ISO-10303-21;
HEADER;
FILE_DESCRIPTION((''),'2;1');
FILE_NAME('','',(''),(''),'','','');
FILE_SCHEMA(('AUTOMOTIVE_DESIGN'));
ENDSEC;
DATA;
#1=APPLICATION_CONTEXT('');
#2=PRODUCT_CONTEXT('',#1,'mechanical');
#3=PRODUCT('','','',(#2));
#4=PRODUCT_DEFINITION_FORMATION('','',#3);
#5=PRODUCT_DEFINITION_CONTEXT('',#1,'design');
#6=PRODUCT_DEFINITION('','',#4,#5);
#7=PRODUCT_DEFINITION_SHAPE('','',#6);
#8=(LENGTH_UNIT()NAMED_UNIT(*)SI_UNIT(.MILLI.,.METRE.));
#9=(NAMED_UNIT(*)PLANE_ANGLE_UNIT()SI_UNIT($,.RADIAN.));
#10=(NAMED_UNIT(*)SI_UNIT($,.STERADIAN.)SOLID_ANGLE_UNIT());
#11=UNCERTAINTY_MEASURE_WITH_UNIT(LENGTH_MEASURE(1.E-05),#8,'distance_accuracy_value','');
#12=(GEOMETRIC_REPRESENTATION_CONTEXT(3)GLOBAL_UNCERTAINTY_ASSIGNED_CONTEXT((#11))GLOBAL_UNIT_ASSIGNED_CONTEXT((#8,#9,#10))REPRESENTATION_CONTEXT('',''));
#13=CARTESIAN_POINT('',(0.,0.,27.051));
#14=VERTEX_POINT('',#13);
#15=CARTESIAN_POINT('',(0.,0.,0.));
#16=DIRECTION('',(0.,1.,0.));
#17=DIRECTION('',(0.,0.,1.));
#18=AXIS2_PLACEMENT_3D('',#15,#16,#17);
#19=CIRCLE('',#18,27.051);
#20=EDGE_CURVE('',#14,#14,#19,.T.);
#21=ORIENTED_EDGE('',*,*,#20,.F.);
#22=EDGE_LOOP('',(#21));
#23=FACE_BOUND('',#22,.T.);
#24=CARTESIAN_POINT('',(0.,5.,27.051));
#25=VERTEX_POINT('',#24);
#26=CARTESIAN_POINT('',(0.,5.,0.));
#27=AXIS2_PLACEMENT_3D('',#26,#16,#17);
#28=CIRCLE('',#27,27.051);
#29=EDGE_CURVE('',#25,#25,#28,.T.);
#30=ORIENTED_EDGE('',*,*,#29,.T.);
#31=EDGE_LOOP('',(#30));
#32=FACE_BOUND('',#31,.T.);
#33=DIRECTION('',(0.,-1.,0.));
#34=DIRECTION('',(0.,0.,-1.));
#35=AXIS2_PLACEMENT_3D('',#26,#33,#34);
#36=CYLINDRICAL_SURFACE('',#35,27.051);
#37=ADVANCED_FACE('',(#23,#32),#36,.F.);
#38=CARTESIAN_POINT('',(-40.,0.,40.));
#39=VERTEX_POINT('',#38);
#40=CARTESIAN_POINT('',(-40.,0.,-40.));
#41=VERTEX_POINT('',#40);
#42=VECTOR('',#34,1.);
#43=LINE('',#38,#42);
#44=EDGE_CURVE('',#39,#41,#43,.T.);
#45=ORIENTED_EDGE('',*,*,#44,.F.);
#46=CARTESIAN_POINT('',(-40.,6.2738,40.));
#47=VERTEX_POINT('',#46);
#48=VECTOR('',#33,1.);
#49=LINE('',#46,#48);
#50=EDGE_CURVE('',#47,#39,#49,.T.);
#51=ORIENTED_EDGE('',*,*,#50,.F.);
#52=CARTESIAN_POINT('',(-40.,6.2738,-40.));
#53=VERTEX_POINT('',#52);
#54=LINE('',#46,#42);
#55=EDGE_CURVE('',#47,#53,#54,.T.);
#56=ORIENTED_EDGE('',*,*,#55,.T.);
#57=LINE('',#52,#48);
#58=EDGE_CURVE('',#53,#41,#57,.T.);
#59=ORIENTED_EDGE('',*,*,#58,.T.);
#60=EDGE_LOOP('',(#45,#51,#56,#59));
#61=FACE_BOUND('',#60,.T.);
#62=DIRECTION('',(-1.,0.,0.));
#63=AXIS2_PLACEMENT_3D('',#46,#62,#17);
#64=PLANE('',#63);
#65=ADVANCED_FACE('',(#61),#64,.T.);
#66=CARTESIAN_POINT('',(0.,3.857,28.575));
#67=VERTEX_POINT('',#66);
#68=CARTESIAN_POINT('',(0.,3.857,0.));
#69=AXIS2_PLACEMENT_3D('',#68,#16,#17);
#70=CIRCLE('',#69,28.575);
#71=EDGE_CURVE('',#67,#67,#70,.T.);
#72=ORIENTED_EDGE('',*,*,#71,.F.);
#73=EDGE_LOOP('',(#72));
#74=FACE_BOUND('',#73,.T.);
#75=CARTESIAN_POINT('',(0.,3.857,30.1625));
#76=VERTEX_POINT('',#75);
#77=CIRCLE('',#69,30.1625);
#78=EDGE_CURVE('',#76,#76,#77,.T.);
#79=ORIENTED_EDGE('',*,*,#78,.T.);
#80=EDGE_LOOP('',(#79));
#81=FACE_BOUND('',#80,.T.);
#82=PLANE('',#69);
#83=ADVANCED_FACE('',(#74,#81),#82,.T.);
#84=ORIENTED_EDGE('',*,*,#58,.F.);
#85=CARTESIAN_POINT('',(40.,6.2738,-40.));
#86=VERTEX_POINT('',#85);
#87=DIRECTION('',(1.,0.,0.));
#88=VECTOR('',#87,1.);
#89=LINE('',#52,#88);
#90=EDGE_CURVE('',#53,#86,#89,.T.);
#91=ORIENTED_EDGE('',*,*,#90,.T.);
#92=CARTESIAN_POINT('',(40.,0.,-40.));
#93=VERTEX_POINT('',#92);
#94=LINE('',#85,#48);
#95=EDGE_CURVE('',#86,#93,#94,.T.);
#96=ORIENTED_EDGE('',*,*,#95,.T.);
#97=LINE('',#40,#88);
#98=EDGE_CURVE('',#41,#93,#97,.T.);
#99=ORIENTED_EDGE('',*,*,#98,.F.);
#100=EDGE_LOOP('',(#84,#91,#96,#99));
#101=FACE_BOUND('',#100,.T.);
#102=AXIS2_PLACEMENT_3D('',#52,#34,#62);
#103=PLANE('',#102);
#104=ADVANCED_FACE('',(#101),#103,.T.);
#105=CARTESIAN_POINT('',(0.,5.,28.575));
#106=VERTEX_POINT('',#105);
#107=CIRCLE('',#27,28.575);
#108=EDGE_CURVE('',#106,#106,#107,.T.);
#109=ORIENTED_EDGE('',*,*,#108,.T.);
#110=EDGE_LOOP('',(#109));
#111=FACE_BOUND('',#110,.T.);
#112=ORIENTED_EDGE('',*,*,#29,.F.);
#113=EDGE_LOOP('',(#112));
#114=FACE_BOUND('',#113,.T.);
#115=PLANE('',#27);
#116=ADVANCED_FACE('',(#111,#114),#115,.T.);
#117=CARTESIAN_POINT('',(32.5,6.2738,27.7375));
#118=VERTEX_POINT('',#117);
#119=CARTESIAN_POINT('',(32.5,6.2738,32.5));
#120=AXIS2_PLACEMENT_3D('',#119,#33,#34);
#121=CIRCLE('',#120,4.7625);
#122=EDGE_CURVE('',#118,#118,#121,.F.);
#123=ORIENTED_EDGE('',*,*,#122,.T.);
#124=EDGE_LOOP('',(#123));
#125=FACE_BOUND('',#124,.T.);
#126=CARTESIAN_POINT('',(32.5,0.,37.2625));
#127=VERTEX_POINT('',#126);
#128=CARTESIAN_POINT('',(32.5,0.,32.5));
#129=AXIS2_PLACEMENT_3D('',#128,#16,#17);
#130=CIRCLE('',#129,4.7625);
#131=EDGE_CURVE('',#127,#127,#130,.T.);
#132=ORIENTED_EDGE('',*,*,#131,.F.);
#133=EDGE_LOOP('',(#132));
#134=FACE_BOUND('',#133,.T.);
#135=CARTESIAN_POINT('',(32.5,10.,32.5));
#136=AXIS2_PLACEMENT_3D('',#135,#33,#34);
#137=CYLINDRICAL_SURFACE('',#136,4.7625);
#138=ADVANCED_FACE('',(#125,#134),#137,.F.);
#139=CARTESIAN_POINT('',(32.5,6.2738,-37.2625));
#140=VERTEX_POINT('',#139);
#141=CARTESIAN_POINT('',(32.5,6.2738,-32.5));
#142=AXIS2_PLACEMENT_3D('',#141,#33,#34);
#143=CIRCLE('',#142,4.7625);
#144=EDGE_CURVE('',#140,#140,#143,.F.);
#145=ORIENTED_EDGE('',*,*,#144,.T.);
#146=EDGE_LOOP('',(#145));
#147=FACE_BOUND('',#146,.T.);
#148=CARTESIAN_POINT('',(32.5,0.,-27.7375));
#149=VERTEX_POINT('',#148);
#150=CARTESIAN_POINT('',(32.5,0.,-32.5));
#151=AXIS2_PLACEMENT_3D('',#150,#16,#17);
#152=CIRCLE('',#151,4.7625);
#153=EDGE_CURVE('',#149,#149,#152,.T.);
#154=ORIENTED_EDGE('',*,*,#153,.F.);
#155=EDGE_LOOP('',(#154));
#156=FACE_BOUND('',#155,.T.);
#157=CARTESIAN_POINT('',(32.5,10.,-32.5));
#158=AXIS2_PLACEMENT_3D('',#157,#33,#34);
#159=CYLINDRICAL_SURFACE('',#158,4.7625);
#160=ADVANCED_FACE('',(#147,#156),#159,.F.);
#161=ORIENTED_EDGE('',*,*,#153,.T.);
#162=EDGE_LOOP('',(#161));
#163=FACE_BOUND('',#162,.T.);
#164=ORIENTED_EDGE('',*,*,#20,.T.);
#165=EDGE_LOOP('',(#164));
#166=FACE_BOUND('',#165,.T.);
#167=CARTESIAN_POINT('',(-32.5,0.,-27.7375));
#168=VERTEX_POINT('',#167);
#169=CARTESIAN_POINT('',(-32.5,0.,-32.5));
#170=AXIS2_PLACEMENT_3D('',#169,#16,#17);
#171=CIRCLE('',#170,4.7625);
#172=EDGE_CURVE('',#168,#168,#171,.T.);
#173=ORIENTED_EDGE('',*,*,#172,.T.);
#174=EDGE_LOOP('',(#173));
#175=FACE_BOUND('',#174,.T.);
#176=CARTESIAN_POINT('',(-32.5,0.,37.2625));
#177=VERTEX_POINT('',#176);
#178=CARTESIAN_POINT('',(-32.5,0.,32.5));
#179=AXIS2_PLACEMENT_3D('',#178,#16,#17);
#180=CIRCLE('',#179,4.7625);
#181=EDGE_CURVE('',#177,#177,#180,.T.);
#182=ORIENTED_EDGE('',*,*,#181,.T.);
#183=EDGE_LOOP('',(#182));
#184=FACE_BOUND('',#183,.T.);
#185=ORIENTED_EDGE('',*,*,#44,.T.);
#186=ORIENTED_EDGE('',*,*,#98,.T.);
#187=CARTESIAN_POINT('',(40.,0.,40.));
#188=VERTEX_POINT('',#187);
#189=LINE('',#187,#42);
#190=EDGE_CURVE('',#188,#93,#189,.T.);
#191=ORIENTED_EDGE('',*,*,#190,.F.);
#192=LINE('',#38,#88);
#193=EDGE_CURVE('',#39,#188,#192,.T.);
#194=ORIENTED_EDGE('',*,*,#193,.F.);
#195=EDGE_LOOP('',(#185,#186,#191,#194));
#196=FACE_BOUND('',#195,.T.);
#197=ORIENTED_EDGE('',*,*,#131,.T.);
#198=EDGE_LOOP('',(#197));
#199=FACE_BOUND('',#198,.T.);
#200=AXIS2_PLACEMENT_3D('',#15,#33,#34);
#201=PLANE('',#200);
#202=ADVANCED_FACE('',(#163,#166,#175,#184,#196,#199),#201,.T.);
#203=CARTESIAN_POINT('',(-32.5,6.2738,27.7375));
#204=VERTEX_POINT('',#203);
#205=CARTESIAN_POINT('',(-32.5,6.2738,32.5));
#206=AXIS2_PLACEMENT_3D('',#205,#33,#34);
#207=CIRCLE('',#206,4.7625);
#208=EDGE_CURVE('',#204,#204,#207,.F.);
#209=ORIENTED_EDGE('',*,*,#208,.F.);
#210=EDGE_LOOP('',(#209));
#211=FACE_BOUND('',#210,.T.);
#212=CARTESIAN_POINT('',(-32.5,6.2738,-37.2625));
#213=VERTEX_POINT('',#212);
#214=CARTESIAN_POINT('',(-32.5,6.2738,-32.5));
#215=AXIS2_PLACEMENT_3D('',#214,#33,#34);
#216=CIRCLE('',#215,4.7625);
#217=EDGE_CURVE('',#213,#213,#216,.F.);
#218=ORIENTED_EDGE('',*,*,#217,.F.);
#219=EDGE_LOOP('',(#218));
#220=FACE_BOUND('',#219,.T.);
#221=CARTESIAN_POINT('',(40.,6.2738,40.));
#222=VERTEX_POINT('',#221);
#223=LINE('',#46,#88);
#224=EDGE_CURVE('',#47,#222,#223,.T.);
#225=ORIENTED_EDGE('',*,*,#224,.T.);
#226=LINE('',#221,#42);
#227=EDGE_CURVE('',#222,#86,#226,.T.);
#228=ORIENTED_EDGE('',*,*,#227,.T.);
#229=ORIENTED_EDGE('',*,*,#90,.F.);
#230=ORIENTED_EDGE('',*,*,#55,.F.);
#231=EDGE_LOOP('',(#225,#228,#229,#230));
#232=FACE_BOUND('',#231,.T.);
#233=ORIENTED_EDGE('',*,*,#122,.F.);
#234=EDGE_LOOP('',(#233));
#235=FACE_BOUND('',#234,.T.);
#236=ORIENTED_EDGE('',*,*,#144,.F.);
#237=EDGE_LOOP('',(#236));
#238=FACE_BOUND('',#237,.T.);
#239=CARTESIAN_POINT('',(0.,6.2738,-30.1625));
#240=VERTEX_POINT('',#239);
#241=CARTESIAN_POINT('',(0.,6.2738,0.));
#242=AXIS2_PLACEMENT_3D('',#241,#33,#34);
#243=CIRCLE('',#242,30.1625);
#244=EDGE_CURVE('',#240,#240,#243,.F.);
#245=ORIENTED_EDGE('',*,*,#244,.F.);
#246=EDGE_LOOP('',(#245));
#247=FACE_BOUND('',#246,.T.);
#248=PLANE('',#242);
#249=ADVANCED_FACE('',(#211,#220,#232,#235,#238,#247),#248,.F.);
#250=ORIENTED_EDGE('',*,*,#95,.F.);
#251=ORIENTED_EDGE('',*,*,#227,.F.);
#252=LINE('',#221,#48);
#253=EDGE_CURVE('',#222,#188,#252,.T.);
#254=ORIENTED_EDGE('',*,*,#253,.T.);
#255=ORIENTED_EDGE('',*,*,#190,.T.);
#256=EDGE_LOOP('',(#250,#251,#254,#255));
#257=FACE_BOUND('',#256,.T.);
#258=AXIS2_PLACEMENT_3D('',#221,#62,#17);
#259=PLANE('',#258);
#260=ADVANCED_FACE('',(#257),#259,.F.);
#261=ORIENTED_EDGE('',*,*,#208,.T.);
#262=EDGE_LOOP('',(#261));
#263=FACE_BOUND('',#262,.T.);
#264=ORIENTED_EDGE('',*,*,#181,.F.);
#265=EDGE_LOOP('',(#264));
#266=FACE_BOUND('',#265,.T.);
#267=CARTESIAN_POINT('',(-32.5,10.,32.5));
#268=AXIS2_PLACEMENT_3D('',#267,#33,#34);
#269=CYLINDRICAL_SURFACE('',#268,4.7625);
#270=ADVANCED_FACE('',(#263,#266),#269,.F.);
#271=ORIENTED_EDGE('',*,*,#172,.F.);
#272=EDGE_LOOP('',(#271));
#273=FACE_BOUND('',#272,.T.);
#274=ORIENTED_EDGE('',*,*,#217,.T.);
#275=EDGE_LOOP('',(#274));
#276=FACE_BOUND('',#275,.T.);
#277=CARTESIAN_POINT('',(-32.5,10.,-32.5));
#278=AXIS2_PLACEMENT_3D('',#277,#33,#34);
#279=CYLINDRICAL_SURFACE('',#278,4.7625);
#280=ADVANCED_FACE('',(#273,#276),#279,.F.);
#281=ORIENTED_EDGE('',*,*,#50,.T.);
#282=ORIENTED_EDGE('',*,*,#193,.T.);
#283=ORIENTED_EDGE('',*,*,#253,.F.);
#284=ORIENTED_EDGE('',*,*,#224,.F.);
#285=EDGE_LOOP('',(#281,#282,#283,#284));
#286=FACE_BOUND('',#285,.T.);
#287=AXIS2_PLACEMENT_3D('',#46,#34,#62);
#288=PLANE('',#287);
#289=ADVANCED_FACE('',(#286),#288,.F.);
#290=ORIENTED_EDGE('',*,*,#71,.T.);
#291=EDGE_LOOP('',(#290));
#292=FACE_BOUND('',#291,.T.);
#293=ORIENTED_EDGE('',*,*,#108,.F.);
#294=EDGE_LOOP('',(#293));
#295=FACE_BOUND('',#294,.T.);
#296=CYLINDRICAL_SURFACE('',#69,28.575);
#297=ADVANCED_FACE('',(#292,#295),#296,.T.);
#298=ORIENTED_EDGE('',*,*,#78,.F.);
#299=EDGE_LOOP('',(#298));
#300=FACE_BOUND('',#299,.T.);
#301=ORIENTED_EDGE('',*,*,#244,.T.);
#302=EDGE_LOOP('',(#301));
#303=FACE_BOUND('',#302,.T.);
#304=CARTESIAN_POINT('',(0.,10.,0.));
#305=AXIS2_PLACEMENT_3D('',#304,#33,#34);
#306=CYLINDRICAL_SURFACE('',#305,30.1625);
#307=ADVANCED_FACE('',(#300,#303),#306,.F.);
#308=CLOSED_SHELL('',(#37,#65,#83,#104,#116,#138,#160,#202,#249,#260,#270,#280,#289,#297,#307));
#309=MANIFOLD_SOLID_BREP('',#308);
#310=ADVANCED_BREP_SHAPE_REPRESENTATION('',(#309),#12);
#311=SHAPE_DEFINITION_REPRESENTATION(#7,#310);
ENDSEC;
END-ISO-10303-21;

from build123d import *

# Parameters (mm, degrees)
PLATEOUTLINE_W      = 80
PLATEOUTLINE_H      = 80
BOSS_EXTRUDE1_DEPTH = 6.2738
RAILGUIDES_R        = 4.7625
CUT_EXTRUDE1_DEPTH  = 10
CUT_EXTRUDE2_START  = 5
FUELGRAINMOUNTING_R = 30.1625
CUT_EXTRUDE2_DEPTH  = 5
GASINTAKE_R         = 27.051
CUT_EXTRUDE3_DEPTH  = 5
CUT_EXTRUDE4_START  = 5
SKETCH1_R           = 30.1625
SKETCH1_R_2         = 28.575
CUT_EXTRUDE4_DEPTH  = 1.143


with BuildPart() as part:
    # plateOutline → Boss-Extrude1 (new body)
    with BuildSketch(Plane(origin=(0, 0, 0), x_dir=(1, 0, 0), z_dir=(0, 1, 0))):
        Rectangle(PLATEOUTLINE_W, PLATEOUTLINE_H)
    extrude(amount=BOSS_EXTRUDE1_DEPTH)

    # railGuides → Cut-Extrude1 (cut)
    with BuildSketch(Plane(origin=(0, 0, 0), x_dir=(1, 0, 0), z_dir=(0, 1, 0))):
        with Locations((-32.5, 32.5)):
            Circle(RAILGUIDES_R)
        with Locations((32.5, 32.5)):
            Circle(RAILGUIDES_R)
        with Locations((32.5, -32.5)):
            Circle(RAILGUIDES_R)
        with Locations((-32.5, -32.5)):
            Circle(RAILGUIDES_R)
    extrude(amount=CUT_EXTRUDE1_DEPTH, mode=Mode.SUBTRACT)

    # FuelGrainMounting → Cut-Extrude2 (cut)
    with BuildSketch(Plane(origin=(0, 0, 0), x_dir=(1, 0, 0), z_dir=(0, 1, 0)).offset(CUT_EXTRUDE2_START)):
        Circle(FUELGRAINMOUNTING_R)
    extrude(amount=CUT_EXTRUDE2_DEPTH, mode=Mode.SUBTRACT)

    # GasIntake → Cut-Extrude3 (cut)
    with BuildSketch(Plane(origin=(0, 0, 0), x_dir=(1, 0, 0), z_dir=(0, 1, 0))):
        Circle(GASINTAKE_R)
    extrude(amount=CUT_EXTRUDE3_DEPTH, mode=Mode.SUBTRACT)

    # Sketch1 → Cut-Extrude4 (cut)
    with BuildSketch(Plane(origin=(0, 0, 0), x_dir=(1, 0, 0), z_dir=(0, 1, 0)).offset(CUT_EXTRUDE4_START)):
        Circle(SKETCH1_R)
        Circle(SKETCH1_R_2, mode=Mode.SUBTRACT)
    extrude(amount=-CUT_EXTRUDE4_DEPTH, mode=Mode.SUBTRACT)


solid = part.part
